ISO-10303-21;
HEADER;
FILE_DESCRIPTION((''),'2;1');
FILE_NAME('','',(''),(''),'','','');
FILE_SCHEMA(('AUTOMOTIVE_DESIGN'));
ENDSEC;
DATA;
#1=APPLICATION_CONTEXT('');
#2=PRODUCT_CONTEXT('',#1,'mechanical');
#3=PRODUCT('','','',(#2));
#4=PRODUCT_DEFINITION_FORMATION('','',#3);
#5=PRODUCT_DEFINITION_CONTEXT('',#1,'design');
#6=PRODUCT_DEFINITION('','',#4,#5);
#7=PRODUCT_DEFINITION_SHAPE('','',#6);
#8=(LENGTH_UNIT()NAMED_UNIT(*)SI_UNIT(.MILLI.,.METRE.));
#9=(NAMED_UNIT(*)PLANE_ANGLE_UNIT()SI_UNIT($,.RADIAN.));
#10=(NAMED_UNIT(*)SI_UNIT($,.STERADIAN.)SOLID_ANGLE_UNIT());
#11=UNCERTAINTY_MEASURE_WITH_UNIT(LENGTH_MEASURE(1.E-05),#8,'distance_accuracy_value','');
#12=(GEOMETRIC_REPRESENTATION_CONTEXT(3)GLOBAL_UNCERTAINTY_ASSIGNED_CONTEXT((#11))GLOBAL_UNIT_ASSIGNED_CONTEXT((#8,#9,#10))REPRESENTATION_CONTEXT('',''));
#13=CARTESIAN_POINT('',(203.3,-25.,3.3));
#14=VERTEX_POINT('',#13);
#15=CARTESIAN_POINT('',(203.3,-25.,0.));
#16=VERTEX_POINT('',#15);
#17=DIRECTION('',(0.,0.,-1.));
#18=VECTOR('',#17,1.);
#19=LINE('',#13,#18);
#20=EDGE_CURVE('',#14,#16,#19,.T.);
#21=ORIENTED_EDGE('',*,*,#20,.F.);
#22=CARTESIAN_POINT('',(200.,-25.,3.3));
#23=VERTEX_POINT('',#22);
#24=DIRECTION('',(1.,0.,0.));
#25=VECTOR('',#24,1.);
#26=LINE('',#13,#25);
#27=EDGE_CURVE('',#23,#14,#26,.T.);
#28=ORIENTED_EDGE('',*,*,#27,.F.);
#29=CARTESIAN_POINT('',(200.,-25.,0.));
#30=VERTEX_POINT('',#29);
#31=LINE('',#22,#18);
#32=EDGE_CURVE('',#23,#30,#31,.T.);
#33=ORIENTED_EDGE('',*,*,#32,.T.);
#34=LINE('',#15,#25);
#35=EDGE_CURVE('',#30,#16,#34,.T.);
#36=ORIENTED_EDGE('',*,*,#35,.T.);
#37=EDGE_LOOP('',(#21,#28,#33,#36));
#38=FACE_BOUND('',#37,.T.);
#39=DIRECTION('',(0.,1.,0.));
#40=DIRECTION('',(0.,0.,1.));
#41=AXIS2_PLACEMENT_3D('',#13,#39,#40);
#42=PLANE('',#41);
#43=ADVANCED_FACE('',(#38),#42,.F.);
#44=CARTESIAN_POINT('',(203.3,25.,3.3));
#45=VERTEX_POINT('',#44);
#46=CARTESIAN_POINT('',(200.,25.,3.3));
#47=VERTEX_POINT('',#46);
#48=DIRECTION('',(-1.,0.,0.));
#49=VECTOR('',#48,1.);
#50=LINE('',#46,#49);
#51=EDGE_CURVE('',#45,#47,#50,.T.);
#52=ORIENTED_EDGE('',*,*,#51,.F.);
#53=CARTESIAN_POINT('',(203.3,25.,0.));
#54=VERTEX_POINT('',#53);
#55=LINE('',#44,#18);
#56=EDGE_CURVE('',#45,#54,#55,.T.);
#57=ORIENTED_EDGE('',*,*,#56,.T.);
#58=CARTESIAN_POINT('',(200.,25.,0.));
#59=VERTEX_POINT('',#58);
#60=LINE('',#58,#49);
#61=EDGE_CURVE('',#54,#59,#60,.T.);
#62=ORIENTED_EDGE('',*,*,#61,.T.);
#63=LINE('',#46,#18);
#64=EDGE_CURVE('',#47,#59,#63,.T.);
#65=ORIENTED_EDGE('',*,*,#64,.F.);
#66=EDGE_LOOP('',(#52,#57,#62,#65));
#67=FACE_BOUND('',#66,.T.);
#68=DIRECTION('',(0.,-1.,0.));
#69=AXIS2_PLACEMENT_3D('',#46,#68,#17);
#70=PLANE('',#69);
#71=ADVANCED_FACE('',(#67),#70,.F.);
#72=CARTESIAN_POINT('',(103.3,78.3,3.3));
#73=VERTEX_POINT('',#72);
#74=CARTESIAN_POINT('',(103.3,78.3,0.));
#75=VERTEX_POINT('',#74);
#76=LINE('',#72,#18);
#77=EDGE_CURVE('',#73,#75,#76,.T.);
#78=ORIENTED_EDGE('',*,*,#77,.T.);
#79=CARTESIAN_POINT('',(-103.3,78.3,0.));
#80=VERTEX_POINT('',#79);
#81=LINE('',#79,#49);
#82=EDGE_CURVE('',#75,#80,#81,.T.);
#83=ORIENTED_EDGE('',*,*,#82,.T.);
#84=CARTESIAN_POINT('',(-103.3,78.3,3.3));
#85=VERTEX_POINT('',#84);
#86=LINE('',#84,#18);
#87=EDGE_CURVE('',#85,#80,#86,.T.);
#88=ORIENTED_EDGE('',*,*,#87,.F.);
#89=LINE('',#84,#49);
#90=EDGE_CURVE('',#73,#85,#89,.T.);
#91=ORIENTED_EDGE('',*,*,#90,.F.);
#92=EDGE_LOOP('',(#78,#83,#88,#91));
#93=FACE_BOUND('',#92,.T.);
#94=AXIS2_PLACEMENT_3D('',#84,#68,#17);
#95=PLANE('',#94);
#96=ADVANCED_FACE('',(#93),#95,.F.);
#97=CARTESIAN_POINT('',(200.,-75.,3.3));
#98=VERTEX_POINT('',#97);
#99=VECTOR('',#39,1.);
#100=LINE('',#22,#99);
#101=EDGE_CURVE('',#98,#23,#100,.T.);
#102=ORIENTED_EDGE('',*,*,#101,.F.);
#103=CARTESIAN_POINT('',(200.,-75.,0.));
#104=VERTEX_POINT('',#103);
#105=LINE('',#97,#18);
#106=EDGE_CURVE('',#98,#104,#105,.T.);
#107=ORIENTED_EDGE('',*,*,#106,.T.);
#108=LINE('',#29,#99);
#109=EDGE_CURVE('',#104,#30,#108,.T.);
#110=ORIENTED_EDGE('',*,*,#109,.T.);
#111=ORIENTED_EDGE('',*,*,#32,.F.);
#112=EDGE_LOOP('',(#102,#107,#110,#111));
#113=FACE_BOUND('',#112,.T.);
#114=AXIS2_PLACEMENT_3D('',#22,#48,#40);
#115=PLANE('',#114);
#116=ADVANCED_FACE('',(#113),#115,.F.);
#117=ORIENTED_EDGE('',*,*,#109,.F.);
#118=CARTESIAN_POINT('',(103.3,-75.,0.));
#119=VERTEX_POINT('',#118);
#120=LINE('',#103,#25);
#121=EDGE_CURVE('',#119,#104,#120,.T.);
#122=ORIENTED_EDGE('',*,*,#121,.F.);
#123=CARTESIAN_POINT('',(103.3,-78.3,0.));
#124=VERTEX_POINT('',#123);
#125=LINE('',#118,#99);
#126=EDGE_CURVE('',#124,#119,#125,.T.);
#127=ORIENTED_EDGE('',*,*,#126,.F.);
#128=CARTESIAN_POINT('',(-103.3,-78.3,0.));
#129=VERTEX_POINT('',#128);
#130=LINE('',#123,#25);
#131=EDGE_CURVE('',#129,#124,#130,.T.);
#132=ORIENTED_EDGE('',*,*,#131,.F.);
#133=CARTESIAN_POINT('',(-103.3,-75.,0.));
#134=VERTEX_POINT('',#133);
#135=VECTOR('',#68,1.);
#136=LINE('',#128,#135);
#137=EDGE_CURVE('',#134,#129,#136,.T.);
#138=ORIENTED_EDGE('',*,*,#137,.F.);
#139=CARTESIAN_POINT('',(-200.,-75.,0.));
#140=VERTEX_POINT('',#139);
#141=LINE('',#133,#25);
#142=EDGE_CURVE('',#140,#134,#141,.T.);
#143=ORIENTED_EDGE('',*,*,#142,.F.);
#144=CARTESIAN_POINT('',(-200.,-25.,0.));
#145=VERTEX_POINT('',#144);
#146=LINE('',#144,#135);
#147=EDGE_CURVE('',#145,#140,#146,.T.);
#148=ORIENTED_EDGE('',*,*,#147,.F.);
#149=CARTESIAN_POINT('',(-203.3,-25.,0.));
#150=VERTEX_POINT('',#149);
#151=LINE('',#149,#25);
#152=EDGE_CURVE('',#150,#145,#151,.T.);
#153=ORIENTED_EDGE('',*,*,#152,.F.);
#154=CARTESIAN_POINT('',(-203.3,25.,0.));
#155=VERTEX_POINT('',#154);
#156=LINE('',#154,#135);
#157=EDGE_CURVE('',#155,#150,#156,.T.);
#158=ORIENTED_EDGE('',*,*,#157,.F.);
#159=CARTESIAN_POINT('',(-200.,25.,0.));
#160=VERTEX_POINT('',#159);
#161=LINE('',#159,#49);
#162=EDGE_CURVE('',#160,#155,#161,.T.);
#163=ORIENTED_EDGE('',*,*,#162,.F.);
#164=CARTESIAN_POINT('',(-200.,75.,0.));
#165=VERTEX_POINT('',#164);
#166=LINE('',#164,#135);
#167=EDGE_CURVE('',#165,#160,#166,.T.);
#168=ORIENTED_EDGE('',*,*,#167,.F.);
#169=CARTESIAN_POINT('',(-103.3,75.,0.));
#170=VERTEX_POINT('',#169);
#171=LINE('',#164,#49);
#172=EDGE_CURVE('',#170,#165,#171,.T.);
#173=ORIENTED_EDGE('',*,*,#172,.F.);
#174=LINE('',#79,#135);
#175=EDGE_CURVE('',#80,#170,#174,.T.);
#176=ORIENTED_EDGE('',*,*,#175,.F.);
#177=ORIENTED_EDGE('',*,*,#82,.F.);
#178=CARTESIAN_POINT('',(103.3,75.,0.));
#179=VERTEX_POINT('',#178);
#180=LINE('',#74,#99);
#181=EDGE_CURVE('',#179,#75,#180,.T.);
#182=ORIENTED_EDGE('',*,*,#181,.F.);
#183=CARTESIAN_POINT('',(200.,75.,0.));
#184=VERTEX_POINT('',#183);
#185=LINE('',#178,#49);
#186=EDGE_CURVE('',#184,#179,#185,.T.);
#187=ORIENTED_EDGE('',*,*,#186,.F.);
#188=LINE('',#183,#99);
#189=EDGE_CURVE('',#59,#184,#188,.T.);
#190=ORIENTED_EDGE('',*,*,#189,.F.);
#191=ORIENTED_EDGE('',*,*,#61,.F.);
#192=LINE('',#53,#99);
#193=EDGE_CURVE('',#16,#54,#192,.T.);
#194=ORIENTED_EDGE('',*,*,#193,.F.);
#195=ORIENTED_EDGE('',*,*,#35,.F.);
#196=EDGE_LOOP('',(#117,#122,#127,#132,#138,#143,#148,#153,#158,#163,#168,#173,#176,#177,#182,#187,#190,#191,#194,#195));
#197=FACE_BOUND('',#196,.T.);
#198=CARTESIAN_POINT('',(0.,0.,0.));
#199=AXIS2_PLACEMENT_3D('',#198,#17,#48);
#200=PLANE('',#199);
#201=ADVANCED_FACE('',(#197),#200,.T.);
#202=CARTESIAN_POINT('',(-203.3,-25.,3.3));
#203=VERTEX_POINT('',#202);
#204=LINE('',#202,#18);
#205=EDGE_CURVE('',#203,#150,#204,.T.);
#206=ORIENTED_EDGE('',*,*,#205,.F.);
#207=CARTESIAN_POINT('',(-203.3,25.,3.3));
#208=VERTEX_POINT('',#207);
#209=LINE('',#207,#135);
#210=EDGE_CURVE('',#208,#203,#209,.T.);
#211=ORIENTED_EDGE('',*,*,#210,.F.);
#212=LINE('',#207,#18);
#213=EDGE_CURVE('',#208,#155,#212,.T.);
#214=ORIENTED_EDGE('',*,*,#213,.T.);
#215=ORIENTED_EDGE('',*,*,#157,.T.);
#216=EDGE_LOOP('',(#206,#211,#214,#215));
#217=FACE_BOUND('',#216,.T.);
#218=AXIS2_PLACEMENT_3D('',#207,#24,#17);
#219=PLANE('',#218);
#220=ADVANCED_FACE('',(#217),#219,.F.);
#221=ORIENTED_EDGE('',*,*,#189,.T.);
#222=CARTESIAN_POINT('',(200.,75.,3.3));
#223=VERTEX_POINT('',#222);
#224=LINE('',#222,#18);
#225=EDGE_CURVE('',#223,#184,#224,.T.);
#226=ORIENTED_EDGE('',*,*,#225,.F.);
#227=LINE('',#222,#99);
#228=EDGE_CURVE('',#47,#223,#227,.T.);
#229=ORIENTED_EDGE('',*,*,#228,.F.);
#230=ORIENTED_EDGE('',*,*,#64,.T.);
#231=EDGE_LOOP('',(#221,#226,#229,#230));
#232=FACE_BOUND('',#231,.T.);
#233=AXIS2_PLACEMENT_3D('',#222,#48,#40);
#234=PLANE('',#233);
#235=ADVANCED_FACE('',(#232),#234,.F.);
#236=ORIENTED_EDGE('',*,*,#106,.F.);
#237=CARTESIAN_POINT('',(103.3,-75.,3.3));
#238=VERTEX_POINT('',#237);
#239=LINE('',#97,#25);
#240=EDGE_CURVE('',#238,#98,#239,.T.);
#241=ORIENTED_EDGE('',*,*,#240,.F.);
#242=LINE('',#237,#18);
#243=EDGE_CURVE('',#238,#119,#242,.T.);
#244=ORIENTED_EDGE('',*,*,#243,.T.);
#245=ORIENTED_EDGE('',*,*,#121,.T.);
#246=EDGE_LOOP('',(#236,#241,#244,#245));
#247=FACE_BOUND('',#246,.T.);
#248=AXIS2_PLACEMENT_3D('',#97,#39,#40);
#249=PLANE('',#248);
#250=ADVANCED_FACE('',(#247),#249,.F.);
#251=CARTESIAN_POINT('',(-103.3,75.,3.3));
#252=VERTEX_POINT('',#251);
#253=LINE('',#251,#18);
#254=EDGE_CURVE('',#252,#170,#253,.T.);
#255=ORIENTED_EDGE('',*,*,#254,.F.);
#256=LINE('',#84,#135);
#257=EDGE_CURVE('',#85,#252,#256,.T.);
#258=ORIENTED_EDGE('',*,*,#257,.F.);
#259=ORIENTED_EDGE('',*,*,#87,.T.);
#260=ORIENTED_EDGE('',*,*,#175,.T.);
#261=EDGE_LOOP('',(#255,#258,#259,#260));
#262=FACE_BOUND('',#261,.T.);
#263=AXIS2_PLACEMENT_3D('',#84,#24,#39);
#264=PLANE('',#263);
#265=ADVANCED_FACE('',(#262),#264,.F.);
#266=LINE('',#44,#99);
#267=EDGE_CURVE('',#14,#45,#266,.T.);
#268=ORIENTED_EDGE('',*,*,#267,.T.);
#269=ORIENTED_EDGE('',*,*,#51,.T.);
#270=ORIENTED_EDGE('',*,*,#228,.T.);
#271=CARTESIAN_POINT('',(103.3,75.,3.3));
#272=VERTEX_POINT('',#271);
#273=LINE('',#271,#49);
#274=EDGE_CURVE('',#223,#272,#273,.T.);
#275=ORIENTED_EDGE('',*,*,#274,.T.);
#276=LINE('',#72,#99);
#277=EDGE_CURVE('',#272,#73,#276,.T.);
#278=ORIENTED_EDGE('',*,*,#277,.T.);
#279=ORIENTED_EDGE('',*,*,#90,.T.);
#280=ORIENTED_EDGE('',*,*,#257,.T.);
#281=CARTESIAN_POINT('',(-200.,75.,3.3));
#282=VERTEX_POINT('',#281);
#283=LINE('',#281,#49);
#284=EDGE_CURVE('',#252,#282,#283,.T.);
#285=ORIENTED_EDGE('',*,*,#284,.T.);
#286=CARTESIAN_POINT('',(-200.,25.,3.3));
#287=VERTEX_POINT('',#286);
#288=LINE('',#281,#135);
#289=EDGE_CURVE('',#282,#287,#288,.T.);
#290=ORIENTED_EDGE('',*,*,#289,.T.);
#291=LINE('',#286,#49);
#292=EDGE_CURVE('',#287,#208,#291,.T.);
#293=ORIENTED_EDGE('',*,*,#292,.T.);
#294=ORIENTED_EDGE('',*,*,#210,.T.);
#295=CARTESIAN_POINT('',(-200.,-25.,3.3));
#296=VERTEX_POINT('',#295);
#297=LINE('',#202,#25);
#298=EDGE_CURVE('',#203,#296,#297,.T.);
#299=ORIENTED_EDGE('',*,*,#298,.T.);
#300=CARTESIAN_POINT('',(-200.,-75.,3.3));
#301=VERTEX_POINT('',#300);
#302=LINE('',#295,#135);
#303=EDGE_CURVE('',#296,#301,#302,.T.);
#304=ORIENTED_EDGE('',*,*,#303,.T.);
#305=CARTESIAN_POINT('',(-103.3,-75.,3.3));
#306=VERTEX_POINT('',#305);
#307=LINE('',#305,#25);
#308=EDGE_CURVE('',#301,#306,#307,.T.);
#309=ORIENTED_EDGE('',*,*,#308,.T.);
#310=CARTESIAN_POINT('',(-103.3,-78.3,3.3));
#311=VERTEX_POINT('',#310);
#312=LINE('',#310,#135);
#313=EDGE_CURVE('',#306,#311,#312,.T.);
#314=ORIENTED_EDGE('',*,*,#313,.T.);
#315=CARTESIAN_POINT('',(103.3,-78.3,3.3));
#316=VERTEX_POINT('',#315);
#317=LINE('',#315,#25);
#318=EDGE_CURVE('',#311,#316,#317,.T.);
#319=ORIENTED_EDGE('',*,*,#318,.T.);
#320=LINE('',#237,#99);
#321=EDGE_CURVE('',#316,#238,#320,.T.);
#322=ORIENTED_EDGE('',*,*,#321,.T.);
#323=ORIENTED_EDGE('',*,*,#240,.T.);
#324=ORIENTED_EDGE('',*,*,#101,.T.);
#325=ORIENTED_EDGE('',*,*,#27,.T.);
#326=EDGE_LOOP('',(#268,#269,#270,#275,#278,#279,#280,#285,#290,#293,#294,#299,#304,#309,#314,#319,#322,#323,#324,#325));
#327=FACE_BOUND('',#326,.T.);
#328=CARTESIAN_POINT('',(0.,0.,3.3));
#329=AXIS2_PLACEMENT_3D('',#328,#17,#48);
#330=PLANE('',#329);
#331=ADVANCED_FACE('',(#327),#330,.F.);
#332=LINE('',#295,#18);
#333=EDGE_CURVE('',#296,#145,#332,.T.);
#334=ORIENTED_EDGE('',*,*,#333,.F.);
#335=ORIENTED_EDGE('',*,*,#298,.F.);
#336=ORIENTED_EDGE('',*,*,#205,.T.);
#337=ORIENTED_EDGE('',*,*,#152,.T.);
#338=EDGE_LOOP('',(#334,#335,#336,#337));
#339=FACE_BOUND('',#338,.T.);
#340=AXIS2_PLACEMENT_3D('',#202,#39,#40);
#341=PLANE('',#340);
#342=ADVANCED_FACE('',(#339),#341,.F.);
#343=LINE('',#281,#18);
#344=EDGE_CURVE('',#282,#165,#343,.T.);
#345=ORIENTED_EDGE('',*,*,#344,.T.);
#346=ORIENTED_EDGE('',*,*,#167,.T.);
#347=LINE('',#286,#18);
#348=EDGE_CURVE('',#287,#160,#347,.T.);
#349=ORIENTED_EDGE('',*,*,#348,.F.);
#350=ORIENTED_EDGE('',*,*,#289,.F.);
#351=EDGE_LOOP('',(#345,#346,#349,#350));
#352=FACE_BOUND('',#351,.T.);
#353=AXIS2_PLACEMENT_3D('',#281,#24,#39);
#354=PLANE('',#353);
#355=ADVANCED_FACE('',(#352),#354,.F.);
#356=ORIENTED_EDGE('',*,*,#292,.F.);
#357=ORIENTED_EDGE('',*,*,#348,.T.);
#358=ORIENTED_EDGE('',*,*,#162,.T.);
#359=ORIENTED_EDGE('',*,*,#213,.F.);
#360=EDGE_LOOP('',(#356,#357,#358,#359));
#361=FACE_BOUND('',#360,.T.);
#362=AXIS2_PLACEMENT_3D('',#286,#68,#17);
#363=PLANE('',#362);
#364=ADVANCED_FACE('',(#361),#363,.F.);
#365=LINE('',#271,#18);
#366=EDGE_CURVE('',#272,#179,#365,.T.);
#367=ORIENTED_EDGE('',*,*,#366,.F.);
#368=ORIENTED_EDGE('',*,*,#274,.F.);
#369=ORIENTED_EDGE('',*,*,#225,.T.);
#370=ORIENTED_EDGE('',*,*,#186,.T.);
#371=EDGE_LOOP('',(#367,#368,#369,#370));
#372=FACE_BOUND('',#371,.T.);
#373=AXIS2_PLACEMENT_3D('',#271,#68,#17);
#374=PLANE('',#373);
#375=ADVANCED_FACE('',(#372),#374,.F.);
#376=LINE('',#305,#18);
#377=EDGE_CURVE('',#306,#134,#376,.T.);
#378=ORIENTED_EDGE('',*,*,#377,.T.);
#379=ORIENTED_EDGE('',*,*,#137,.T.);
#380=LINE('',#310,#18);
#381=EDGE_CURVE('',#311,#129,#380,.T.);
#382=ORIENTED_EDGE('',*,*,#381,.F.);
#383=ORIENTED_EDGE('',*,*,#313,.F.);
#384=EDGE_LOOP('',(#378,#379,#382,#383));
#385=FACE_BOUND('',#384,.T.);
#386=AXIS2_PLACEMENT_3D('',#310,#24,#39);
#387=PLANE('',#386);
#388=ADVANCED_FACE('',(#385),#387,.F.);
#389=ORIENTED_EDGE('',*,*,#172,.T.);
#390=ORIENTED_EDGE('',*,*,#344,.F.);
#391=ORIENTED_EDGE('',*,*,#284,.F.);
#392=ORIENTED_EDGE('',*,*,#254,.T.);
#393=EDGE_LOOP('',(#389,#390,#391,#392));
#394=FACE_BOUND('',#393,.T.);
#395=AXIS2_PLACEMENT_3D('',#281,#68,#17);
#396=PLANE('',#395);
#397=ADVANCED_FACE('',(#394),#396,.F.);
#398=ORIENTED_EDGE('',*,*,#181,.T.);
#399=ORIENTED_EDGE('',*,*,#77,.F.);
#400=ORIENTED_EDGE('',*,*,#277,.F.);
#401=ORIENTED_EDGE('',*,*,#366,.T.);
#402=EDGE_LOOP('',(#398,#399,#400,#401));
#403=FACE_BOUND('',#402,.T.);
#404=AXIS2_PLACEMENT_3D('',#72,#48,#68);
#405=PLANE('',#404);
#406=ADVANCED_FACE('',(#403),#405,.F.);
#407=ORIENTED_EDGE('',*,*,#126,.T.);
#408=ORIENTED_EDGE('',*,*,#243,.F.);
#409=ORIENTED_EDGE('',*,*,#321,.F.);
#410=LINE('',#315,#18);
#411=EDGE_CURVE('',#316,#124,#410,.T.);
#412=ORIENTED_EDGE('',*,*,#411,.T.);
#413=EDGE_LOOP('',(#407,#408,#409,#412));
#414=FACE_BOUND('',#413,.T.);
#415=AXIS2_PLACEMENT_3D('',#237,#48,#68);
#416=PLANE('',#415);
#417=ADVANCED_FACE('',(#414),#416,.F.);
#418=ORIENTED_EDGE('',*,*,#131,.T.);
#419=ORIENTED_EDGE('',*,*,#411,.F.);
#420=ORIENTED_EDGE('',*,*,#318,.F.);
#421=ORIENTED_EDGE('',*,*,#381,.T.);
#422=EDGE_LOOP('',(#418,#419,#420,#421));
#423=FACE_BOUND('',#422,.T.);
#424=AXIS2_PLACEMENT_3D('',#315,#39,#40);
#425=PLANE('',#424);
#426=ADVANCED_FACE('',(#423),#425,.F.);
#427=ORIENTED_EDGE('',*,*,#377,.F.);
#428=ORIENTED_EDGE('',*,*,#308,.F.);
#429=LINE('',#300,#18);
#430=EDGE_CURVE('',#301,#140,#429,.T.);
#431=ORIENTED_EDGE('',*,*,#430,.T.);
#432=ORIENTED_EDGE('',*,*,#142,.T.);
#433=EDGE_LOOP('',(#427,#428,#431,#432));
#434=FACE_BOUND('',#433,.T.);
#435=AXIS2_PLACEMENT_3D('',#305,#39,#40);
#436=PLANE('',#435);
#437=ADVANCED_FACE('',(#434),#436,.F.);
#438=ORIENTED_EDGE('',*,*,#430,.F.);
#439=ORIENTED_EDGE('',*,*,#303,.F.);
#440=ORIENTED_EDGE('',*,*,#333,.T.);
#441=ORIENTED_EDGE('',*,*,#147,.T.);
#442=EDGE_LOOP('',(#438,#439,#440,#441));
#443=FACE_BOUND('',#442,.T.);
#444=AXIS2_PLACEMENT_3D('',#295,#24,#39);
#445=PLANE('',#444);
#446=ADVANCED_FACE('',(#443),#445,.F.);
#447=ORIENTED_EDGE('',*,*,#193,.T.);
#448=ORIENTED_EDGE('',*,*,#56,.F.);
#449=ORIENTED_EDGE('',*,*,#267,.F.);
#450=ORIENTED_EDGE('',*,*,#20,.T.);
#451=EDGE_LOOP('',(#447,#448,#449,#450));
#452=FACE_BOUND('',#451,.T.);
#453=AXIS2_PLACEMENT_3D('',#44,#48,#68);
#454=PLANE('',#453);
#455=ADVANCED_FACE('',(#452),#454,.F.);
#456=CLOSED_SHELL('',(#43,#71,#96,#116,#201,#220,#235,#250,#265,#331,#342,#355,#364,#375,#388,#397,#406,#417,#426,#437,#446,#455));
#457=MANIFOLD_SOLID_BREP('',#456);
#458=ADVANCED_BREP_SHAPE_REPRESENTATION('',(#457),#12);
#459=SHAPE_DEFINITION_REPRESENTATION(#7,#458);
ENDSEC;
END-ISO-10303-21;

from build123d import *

# Parameters (mm, degrees)
SALIENTE_EXTRUIR1_DEPTH = 3.3


with BuildPart() as part:
    # Croquis1 → Saliente-Extruir1 (new body)
    with BuildSketch(Plane.XY):
        Polygon((-203.3, 25), (-203.3, -25), (-200, -25), (-200, -75), (-103.3, -75), (-103.3, -78.3), (103.3, -78.3), (103.3, -75), (200, -75), (200, -25), (203.3, -25), (203.3, 25), (200, 25), (200, 75), (103.3, 75), (103.3, 78.3), (-103.3, 78.3), (-103.3, 75), (-200, 75), (-200, 25), align=None)
    extrude(amount=SALIENTE_EXTRUIR1_DEPTH)


solid = part.part
